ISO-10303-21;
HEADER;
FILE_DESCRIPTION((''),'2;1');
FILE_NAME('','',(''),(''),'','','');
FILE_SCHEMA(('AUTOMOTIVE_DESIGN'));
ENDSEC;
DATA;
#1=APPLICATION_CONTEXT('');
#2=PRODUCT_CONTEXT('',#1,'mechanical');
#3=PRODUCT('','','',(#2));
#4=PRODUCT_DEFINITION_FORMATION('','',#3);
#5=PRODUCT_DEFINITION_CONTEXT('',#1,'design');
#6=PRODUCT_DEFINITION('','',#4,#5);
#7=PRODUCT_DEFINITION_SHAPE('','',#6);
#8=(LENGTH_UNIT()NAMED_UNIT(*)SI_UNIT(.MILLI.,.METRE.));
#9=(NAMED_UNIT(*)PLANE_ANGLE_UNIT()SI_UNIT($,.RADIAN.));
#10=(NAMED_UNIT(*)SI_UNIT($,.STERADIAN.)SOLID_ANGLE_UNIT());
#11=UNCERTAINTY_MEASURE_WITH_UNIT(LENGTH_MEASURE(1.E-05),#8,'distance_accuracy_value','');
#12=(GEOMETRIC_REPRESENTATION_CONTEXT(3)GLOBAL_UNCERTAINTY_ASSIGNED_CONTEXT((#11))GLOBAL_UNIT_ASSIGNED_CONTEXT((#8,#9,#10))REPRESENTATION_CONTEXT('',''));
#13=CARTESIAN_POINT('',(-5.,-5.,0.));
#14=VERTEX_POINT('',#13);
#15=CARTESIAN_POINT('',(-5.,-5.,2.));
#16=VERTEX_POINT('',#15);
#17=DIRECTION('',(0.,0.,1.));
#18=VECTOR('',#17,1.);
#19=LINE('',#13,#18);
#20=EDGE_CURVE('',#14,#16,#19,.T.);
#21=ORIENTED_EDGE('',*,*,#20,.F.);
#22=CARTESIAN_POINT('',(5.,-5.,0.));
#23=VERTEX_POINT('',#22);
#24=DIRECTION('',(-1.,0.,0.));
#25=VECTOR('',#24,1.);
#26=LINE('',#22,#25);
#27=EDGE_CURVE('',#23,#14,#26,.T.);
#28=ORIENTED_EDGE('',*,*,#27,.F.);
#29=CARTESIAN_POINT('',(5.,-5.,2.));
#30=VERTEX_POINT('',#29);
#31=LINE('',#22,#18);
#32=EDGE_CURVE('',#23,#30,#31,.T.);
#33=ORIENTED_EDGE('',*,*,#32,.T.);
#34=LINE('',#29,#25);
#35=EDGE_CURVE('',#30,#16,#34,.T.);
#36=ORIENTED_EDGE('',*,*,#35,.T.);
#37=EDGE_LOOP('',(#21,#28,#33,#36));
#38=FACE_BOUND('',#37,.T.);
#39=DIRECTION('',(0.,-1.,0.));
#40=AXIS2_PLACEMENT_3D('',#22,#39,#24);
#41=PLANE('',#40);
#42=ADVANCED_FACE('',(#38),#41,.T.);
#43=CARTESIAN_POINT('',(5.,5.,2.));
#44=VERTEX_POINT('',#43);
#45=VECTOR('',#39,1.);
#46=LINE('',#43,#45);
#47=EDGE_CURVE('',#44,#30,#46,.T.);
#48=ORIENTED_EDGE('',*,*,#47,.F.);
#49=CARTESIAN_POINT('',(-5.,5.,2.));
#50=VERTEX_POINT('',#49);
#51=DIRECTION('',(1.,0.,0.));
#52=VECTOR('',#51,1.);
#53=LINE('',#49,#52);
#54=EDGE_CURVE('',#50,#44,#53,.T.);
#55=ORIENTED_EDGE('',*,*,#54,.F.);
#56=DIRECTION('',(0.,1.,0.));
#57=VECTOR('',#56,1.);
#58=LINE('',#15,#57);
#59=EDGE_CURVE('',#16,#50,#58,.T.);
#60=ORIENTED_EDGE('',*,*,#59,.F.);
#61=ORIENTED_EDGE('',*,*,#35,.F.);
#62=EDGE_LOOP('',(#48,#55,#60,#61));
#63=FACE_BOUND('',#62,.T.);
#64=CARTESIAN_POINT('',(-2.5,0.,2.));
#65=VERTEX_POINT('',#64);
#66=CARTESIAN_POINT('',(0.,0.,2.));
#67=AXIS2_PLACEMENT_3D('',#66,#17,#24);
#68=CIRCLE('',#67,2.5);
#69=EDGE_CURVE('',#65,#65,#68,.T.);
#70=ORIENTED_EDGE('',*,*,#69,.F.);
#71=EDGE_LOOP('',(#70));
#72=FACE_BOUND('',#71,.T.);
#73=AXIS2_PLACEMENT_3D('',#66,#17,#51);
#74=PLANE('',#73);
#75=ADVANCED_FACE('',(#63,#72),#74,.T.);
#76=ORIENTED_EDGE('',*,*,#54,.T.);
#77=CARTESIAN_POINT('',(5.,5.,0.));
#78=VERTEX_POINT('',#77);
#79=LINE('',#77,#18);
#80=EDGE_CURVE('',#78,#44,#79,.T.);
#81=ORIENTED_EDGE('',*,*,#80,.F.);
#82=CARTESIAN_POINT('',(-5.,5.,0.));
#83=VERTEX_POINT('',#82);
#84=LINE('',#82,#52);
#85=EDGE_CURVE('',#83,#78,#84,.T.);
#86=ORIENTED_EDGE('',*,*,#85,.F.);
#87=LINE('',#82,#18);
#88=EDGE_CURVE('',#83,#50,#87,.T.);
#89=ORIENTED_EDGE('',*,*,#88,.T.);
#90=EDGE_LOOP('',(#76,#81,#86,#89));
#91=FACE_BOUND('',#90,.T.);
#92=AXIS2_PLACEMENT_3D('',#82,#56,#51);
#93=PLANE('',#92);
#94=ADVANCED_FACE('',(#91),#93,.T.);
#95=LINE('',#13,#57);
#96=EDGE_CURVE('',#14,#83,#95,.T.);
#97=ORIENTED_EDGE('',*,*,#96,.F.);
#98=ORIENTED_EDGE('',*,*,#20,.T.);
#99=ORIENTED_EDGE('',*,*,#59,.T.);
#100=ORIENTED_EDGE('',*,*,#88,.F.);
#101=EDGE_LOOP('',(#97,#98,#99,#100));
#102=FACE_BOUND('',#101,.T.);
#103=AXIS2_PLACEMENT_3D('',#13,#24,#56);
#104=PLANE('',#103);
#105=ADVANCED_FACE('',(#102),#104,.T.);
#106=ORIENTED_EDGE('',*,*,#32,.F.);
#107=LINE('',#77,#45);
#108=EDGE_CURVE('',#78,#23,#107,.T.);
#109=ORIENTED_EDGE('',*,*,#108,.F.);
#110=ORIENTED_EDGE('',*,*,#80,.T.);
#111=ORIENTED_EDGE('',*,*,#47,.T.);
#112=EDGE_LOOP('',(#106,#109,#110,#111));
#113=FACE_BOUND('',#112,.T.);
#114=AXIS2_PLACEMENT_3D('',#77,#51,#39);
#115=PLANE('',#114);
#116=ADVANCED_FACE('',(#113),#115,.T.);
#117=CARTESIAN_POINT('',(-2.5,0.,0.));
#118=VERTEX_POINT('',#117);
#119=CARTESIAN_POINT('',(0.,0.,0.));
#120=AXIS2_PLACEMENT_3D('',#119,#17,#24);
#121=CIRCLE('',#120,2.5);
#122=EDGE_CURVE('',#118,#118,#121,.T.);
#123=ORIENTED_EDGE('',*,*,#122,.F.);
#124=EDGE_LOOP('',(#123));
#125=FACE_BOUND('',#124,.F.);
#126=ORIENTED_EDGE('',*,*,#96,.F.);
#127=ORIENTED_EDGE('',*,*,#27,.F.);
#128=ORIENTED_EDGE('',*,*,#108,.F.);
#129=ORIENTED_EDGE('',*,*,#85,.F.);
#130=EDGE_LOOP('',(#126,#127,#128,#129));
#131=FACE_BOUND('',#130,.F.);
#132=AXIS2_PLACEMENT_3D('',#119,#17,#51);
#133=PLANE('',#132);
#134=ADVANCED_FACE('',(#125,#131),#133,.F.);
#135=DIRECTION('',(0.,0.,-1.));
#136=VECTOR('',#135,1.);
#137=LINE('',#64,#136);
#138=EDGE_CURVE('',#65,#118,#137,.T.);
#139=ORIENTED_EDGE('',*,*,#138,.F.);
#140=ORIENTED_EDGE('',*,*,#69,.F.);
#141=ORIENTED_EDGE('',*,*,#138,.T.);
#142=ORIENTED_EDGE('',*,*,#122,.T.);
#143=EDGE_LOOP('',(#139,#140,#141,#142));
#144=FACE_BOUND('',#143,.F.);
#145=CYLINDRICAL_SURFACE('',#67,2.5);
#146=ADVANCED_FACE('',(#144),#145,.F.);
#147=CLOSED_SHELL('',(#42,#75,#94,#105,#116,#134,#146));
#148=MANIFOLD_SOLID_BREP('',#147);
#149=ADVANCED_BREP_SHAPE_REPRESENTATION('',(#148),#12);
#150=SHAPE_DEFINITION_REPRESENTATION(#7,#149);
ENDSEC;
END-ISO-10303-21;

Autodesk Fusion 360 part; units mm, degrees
sketch "Sketch1" plane through (0, 0, 0) normal (0, 0, 1) x (1, 0, 0)
  line L0 (5, -5) -> (-5, -5)
  line L1 (-5, -5) -> (-5, 5)
  line L2 (-5, 5) -> (5, 5)
  line L3 (5, 5) -> (5, -5)
  line L4 (5, -5) -> (-5, 5) construction
  line L5 (-5, -5) -> (5, 5) construction
  dimension "d1" = 10
  dimension "d2" = 10
extrude "Extrude1" add sketch "Sketch1" along normal blind 2
sketch "Sketch2" plane through (0, 0, 2) normal (0, 0, 1) x (-1, 0, 0)
  line L0 (-5, -5) -> (5, -5)
  line L1 (5, -5) -> (5, 5)
  line L2 (5, 5) -> (-5, 5)
  line L3 (-5, 5) -> (-5, -5)
  circle A0 centre (0, 0) radius 2.5
  dimension "d5" = 5
extrude "Extrude2" cut sketch "Sketch2" against normal blind 2 contours A0
